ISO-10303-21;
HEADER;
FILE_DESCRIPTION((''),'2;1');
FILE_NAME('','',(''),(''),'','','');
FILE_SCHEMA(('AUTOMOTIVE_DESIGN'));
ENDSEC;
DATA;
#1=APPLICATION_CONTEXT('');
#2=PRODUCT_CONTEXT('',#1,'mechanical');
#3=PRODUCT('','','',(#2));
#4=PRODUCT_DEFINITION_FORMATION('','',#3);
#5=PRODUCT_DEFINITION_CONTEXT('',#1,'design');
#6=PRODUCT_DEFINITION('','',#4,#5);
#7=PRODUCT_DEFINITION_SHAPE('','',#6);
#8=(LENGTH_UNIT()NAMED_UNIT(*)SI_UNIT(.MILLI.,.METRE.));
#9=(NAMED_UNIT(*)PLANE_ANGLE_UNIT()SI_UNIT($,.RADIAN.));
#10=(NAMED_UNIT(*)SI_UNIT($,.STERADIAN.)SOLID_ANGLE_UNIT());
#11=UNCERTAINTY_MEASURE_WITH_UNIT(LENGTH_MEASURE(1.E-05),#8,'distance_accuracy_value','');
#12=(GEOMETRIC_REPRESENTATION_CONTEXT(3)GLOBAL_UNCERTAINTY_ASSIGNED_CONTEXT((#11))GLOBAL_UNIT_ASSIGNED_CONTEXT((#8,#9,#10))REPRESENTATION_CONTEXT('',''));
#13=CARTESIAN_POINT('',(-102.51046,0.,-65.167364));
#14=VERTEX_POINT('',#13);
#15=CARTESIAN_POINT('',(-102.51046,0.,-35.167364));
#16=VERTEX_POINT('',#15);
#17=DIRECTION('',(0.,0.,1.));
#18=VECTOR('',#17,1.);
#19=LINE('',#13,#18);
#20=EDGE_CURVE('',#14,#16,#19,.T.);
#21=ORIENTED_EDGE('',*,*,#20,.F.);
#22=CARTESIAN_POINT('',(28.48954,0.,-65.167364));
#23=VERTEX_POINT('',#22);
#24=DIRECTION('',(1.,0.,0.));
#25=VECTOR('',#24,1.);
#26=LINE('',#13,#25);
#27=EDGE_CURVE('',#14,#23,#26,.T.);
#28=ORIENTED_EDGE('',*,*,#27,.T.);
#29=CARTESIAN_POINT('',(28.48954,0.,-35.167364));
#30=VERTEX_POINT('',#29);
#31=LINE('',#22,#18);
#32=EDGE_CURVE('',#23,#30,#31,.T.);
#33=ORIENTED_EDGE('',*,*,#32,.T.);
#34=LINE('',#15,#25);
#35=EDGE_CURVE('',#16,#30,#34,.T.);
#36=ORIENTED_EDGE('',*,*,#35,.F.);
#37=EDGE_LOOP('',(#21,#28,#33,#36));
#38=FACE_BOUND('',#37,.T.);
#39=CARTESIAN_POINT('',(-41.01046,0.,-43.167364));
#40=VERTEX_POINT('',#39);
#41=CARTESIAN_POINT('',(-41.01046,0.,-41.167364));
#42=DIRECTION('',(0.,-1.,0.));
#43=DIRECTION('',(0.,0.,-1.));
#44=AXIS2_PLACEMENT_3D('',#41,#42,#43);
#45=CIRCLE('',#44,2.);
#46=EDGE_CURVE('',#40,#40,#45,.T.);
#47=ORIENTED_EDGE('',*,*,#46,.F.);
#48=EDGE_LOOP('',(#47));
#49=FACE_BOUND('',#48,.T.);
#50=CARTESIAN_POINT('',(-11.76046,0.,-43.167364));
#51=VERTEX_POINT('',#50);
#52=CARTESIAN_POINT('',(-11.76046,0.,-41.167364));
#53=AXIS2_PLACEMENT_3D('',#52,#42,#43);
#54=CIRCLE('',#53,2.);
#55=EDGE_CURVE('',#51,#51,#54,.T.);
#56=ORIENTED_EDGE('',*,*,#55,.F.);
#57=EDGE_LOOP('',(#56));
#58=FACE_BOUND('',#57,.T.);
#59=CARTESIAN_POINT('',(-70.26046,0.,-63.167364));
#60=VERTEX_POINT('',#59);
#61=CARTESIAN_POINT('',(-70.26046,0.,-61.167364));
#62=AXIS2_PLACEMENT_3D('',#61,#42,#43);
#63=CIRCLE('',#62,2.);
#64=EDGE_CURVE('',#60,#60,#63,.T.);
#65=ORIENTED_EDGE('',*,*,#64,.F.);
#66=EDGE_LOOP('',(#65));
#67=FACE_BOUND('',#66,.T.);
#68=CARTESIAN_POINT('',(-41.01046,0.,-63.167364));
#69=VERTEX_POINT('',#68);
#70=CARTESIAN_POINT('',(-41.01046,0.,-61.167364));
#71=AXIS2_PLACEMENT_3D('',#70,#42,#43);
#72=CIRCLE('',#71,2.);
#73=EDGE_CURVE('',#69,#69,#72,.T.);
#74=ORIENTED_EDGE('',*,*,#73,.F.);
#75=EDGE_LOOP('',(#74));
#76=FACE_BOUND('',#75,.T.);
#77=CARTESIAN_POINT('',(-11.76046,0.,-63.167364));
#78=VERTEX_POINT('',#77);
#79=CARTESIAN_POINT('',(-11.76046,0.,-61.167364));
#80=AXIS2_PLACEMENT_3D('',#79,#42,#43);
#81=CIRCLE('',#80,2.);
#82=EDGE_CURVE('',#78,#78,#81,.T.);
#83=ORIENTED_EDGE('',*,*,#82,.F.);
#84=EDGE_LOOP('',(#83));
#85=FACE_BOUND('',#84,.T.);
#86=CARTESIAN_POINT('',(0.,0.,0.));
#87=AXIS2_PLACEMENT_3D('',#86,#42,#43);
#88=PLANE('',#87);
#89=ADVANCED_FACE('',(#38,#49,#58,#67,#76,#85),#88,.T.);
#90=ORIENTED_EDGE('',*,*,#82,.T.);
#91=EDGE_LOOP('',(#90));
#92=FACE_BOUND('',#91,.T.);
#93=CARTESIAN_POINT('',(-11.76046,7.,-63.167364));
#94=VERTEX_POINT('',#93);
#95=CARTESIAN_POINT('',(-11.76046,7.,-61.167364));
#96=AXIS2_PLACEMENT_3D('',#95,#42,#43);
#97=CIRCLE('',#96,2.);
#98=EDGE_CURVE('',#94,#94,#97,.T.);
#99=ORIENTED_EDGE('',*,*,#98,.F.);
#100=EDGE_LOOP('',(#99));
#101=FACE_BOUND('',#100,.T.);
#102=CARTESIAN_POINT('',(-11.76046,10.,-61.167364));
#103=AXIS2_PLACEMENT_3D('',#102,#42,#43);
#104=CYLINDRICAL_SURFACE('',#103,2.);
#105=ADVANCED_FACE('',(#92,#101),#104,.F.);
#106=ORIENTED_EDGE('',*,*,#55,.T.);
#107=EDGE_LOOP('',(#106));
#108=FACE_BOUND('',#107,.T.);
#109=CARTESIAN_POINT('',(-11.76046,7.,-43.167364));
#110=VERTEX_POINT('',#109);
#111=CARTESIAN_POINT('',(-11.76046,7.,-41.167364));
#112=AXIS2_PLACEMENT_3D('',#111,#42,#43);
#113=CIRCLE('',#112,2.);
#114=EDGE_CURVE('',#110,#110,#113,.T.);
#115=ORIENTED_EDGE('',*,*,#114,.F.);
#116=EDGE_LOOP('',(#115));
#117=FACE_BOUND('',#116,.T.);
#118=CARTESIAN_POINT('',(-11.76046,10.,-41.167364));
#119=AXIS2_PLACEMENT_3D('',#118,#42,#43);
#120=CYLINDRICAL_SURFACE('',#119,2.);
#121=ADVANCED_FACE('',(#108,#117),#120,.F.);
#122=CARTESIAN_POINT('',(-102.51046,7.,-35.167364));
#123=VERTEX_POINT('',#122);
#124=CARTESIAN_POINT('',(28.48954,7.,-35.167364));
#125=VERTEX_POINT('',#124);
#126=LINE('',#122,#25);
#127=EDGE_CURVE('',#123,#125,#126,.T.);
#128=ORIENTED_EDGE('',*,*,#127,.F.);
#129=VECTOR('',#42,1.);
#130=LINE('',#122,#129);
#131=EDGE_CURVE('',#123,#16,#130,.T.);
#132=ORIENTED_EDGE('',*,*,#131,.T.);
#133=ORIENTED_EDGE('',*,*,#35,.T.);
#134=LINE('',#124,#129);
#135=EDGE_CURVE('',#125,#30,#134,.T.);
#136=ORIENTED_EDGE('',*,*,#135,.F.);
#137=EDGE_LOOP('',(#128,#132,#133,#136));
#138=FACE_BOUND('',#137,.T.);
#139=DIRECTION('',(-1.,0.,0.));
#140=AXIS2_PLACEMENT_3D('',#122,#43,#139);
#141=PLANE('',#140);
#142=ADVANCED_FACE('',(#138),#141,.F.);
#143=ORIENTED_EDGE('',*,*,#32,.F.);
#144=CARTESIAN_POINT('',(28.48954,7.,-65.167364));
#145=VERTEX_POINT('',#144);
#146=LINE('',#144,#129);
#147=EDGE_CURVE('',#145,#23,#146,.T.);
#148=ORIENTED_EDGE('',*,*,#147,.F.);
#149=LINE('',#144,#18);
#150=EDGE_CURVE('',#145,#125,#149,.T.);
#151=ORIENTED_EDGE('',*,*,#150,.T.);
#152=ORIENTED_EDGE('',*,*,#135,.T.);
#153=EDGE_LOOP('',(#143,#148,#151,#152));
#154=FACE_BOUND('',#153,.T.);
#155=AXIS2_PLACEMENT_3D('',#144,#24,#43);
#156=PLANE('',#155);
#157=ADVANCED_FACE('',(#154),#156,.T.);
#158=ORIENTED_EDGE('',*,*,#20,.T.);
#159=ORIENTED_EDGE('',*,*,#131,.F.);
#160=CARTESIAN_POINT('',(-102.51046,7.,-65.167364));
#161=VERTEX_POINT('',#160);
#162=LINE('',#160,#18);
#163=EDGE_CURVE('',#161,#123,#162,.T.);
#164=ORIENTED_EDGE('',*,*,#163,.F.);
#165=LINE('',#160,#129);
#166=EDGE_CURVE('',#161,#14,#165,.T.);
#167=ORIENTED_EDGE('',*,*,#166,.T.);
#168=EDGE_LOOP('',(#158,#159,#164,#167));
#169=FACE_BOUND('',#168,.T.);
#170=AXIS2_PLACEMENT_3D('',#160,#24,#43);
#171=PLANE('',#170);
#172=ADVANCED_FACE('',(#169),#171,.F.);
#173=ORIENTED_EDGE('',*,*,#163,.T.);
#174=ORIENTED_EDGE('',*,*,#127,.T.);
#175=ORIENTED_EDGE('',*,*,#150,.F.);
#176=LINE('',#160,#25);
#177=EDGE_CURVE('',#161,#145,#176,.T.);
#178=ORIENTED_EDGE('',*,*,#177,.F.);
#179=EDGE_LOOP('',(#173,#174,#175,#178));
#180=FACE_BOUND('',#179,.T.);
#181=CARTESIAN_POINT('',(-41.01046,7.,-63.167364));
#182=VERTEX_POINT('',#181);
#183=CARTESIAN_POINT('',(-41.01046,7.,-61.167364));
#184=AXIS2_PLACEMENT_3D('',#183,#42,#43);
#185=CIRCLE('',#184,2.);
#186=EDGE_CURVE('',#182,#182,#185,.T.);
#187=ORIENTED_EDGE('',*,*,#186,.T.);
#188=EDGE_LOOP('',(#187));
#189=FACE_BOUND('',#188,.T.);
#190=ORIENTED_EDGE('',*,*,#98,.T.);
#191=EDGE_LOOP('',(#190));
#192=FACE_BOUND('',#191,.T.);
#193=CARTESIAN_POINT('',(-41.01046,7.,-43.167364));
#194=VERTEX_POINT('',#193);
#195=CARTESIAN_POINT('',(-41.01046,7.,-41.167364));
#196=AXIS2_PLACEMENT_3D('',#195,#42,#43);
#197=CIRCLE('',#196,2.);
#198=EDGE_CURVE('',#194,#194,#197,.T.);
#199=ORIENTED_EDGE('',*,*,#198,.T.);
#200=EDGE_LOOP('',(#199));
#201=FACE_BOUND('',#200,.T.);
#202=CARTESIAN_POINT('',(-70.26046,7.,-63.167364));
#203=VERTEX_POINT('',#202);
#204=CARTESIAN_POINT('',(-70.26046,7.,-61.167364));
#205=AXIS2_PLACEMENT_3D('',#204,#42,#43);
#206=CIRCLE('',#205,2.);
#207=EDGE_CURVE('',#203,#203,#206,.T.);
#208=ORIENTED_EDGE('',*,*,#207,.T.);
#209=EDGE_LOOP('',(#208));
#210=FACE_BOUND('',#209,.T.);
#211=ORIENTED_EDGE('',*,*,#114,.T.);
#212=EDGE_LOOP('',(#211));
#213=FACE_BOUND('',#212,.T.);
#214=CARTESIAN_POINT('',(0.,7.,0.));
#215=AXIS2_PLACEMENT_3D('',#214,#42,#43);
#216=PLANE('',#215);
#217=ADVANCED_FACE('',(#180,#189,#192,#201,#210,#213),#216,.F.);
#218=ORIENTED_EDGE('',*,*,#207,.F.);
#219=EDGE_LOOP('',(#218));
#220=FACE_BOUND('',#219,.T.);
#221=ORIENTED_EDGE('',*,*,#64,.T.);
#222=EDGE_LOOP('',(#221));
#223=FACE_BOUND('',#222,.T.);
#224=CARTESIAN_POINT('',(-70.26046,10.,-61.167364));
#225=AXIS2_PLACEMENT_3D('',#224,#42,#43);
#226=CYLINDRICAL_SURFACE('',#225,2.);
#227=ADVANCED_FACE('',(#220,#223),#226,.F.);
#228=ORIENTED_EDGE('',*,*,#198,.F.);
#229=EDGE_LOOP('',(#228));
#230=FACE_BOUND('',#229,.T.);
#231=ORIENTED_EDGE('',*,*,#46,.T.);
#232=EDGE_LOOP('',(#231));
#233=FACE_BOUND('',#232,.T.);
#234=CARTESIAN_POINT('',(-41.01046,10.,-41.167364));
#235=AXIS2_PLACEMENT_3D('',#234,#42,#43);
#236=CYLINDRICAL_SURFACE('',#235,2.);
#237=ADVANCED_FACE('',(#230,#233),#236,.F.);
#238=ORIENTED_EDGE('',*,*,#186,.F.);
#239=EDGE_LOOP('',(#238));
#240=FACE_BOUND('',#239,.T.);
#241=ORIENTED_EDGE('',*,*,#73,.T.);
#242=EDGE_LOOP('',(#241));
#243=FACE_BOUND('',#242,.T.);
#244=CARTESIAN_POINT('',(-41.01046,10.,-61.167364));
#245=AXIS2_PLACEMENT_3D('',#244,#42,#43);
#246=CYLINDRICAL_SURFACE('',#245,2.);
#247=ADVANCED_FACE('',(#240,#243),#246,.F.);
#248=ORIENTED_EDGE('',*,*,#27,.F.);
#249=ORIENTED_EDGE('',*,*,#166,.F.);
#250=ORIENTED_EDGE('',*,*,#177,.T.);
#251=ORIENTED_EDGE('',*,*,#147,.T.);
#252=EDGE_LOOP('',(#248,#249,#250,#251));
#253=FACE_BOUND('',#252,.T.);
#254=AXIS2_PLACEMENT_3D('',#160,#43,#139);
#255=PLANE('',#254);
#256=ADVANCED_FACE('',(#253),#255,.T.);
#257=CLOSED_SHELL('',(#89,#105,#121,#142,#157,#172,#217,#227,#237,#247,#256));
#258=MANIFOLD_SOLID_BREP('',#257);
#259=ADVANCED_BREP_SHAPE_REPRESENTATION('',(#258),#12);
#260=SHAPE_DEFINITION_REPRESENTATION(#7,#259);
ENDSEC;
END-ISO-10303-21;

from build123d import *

# Parameters (mm, degrees)
SKETCH1_W           = 131
SKETCH1_H           = 30
BOSS_EXTRUDE1_DEPTH = 7
SKETCH2_R           = 2
CUT_EXTRUDE1_DEPTH  = 10


with BuildPart() as part:
    # Sketch1 → Boss-Extrude1 (new body)
    with BuildSketch(Plane(origin=(0, 0, 0), x_dir=(1, 0, 0), z_dir=(0, 1, 0))):
        with Locations((-37.010460251, 50.167364017)):
            Rectangle(SKETCH1_W, SKETCH1_H)
    extrude(amount=BOSS_EXTRUDE1_DEPTH)

    # Sketch2 → Cut-Extrude1 (cut)
    with BuildSketch(Plane.XZ):
        with Locations((-70.260460251, -61.167364017)):
            Circle(SKETCH2_R)
        with Locations((-41.010460251, -61.167364017)):
            Circle(SKETCH2_R)
        with Locations((-11.760460251, -61.167364017)):
            Circle(SKETCH2_R)
        with Locations((-11.760460251, -41.167364017)):
            Circle(SKETCH2_R)
        with Locations((-41.010460251, -41.167364017)):
            Circle(SKETCH2_R)
    extrude(amount=-CUT_EXTRUDE1_DEPTH, mode=Mode.SUBTRACT)


solid = part.part
